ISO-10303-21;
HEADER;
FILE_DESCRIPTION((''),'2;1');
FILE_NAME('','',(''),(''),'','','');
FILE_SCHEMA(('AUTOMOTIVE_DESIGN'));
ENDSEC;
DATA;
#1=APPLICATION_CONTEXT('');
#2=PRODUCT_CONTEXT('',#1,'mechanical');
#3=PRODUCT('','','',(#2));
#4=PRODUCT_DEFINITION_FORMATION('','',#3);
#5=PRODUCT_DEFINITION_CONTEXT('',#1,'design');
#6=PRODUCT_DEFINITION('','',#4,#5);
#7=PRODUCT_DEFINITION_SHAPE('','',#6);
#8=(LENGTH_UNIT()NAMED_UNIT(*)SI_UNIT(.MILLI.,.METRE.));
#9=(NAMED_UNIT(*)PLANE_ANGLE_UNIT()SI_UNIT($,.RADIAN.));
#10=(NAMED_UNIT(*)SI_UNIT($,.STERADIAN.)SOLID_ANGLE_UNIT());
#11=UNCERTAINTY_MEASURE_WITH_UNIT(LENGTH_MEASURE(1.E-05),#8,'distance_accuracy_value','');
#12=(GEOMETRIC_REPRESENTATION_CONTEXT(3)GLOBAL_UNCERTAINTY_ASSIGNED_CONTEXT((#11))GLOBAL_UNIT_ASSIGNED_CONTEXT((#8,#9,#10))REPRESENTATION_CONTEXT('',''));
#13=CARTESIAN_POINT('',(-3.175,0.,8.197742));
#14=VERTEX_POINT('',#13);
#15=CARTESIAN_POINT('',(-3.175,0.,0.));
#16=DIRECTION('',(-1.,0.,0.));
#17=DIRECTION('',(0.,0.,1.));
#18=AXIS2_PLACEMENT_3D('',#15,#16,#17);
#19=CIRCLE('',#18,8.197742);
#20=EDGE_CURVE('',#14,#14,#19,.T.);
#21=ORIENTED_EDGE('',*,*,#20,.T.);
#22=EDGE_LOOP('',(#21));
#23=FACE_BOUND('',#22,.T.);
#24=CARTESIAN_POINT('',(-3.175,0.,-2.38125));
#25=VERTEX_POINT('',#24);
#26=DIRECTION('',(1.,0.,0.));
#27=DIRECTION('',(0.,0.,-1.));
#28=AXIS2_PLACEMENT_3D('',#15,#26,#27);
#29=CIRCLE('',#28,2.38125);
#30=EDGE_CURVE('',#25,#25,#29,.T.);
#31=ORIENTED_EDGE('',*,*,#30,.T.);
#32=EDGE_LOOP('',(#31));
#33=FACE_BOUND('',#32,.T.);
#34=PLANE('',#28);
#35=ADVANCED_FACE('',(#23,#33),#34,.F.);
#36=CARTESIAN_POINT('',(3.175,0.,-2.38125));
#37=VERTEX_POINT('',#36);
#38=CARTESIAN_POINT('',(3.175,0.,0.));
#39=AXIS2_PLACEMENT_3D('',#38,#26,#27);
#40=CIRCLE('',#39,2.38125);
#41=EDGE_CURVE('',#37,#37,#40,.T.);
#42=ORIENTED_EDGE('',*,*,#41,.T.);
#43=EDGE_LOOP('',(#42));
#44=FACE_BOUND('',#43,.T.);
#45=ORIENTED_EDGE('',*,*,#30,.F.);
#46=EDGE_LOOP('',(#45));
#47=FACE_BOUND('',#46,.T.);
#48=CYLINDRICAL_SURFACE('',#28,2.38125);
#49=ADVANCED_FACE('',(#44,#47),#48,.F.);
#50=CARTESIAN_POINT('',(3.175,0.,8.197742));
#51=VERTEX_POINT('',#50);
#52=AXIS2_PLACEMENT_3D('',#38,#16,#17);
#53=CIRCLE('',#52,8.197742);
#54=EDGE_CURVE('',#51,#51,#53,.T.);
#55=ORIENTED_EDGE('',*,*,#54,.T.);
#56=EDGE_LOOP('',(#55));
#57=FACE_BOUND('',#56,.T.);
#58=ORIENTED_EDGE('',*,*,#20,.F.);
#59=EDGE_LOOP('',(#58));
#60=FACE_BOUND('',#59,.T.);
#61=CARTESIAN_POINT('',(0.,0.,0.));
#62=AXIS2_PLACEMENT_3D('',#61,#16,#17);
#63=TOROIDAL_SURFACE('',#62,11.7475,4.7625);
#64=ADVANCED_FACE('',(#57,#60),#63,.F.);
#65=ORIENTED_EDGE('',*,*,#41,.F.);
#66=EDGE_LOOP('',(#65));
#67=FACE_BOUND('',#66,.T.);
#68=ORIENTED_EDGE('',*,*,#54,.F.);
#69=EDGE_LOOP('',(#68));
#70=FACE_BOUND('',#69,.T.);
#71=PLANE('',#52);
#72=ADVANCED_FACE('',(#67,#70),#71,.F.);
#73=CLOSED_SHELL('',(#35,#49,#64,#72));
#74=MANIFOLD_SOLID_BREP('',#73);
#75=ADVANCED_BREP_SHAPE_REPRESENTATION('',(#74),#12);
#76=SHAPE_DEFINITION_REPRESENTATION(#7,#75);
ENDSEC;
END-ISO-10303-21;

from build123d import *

# Parameters (mm, degrees)
SKETCH2_R          = 2.38125
CUT_EXTRUDE1_DEPTH = 7.35


with BuildPart() as part:
    # Sketch1 → Revolve1 (revolve)
    with BuildSketch(Plane.XY):
        with BuildLine():
            Line((-3.175, 0), (3.175, 0))
            Line((3.175, 0), (3.175, 8.197742086))
            ThreePointArc((3.175, 8.197742086), (0, 6.985), (-3.175, 8.197742086))
            Line((-3.175, 8.197742086), (-3.175, 0))
        make_face()
    revolve(axis=Axis((-3.175, 0, 0), (1, 0, 0)))

    # Sketch2 → Cut-Extrude1 (cut, through all)
    with BuildSketch(Plane(origin=(3.175, 0, 0), x_dir=(0, 0, -1), z_dir=(1, 0, 0))):
        Circle(SKETCH2_R)
    extrude(amount=-CUT_EXTRUDE1_DEPTH, mode=Mode.SUBTRACT)


solid = part.part
